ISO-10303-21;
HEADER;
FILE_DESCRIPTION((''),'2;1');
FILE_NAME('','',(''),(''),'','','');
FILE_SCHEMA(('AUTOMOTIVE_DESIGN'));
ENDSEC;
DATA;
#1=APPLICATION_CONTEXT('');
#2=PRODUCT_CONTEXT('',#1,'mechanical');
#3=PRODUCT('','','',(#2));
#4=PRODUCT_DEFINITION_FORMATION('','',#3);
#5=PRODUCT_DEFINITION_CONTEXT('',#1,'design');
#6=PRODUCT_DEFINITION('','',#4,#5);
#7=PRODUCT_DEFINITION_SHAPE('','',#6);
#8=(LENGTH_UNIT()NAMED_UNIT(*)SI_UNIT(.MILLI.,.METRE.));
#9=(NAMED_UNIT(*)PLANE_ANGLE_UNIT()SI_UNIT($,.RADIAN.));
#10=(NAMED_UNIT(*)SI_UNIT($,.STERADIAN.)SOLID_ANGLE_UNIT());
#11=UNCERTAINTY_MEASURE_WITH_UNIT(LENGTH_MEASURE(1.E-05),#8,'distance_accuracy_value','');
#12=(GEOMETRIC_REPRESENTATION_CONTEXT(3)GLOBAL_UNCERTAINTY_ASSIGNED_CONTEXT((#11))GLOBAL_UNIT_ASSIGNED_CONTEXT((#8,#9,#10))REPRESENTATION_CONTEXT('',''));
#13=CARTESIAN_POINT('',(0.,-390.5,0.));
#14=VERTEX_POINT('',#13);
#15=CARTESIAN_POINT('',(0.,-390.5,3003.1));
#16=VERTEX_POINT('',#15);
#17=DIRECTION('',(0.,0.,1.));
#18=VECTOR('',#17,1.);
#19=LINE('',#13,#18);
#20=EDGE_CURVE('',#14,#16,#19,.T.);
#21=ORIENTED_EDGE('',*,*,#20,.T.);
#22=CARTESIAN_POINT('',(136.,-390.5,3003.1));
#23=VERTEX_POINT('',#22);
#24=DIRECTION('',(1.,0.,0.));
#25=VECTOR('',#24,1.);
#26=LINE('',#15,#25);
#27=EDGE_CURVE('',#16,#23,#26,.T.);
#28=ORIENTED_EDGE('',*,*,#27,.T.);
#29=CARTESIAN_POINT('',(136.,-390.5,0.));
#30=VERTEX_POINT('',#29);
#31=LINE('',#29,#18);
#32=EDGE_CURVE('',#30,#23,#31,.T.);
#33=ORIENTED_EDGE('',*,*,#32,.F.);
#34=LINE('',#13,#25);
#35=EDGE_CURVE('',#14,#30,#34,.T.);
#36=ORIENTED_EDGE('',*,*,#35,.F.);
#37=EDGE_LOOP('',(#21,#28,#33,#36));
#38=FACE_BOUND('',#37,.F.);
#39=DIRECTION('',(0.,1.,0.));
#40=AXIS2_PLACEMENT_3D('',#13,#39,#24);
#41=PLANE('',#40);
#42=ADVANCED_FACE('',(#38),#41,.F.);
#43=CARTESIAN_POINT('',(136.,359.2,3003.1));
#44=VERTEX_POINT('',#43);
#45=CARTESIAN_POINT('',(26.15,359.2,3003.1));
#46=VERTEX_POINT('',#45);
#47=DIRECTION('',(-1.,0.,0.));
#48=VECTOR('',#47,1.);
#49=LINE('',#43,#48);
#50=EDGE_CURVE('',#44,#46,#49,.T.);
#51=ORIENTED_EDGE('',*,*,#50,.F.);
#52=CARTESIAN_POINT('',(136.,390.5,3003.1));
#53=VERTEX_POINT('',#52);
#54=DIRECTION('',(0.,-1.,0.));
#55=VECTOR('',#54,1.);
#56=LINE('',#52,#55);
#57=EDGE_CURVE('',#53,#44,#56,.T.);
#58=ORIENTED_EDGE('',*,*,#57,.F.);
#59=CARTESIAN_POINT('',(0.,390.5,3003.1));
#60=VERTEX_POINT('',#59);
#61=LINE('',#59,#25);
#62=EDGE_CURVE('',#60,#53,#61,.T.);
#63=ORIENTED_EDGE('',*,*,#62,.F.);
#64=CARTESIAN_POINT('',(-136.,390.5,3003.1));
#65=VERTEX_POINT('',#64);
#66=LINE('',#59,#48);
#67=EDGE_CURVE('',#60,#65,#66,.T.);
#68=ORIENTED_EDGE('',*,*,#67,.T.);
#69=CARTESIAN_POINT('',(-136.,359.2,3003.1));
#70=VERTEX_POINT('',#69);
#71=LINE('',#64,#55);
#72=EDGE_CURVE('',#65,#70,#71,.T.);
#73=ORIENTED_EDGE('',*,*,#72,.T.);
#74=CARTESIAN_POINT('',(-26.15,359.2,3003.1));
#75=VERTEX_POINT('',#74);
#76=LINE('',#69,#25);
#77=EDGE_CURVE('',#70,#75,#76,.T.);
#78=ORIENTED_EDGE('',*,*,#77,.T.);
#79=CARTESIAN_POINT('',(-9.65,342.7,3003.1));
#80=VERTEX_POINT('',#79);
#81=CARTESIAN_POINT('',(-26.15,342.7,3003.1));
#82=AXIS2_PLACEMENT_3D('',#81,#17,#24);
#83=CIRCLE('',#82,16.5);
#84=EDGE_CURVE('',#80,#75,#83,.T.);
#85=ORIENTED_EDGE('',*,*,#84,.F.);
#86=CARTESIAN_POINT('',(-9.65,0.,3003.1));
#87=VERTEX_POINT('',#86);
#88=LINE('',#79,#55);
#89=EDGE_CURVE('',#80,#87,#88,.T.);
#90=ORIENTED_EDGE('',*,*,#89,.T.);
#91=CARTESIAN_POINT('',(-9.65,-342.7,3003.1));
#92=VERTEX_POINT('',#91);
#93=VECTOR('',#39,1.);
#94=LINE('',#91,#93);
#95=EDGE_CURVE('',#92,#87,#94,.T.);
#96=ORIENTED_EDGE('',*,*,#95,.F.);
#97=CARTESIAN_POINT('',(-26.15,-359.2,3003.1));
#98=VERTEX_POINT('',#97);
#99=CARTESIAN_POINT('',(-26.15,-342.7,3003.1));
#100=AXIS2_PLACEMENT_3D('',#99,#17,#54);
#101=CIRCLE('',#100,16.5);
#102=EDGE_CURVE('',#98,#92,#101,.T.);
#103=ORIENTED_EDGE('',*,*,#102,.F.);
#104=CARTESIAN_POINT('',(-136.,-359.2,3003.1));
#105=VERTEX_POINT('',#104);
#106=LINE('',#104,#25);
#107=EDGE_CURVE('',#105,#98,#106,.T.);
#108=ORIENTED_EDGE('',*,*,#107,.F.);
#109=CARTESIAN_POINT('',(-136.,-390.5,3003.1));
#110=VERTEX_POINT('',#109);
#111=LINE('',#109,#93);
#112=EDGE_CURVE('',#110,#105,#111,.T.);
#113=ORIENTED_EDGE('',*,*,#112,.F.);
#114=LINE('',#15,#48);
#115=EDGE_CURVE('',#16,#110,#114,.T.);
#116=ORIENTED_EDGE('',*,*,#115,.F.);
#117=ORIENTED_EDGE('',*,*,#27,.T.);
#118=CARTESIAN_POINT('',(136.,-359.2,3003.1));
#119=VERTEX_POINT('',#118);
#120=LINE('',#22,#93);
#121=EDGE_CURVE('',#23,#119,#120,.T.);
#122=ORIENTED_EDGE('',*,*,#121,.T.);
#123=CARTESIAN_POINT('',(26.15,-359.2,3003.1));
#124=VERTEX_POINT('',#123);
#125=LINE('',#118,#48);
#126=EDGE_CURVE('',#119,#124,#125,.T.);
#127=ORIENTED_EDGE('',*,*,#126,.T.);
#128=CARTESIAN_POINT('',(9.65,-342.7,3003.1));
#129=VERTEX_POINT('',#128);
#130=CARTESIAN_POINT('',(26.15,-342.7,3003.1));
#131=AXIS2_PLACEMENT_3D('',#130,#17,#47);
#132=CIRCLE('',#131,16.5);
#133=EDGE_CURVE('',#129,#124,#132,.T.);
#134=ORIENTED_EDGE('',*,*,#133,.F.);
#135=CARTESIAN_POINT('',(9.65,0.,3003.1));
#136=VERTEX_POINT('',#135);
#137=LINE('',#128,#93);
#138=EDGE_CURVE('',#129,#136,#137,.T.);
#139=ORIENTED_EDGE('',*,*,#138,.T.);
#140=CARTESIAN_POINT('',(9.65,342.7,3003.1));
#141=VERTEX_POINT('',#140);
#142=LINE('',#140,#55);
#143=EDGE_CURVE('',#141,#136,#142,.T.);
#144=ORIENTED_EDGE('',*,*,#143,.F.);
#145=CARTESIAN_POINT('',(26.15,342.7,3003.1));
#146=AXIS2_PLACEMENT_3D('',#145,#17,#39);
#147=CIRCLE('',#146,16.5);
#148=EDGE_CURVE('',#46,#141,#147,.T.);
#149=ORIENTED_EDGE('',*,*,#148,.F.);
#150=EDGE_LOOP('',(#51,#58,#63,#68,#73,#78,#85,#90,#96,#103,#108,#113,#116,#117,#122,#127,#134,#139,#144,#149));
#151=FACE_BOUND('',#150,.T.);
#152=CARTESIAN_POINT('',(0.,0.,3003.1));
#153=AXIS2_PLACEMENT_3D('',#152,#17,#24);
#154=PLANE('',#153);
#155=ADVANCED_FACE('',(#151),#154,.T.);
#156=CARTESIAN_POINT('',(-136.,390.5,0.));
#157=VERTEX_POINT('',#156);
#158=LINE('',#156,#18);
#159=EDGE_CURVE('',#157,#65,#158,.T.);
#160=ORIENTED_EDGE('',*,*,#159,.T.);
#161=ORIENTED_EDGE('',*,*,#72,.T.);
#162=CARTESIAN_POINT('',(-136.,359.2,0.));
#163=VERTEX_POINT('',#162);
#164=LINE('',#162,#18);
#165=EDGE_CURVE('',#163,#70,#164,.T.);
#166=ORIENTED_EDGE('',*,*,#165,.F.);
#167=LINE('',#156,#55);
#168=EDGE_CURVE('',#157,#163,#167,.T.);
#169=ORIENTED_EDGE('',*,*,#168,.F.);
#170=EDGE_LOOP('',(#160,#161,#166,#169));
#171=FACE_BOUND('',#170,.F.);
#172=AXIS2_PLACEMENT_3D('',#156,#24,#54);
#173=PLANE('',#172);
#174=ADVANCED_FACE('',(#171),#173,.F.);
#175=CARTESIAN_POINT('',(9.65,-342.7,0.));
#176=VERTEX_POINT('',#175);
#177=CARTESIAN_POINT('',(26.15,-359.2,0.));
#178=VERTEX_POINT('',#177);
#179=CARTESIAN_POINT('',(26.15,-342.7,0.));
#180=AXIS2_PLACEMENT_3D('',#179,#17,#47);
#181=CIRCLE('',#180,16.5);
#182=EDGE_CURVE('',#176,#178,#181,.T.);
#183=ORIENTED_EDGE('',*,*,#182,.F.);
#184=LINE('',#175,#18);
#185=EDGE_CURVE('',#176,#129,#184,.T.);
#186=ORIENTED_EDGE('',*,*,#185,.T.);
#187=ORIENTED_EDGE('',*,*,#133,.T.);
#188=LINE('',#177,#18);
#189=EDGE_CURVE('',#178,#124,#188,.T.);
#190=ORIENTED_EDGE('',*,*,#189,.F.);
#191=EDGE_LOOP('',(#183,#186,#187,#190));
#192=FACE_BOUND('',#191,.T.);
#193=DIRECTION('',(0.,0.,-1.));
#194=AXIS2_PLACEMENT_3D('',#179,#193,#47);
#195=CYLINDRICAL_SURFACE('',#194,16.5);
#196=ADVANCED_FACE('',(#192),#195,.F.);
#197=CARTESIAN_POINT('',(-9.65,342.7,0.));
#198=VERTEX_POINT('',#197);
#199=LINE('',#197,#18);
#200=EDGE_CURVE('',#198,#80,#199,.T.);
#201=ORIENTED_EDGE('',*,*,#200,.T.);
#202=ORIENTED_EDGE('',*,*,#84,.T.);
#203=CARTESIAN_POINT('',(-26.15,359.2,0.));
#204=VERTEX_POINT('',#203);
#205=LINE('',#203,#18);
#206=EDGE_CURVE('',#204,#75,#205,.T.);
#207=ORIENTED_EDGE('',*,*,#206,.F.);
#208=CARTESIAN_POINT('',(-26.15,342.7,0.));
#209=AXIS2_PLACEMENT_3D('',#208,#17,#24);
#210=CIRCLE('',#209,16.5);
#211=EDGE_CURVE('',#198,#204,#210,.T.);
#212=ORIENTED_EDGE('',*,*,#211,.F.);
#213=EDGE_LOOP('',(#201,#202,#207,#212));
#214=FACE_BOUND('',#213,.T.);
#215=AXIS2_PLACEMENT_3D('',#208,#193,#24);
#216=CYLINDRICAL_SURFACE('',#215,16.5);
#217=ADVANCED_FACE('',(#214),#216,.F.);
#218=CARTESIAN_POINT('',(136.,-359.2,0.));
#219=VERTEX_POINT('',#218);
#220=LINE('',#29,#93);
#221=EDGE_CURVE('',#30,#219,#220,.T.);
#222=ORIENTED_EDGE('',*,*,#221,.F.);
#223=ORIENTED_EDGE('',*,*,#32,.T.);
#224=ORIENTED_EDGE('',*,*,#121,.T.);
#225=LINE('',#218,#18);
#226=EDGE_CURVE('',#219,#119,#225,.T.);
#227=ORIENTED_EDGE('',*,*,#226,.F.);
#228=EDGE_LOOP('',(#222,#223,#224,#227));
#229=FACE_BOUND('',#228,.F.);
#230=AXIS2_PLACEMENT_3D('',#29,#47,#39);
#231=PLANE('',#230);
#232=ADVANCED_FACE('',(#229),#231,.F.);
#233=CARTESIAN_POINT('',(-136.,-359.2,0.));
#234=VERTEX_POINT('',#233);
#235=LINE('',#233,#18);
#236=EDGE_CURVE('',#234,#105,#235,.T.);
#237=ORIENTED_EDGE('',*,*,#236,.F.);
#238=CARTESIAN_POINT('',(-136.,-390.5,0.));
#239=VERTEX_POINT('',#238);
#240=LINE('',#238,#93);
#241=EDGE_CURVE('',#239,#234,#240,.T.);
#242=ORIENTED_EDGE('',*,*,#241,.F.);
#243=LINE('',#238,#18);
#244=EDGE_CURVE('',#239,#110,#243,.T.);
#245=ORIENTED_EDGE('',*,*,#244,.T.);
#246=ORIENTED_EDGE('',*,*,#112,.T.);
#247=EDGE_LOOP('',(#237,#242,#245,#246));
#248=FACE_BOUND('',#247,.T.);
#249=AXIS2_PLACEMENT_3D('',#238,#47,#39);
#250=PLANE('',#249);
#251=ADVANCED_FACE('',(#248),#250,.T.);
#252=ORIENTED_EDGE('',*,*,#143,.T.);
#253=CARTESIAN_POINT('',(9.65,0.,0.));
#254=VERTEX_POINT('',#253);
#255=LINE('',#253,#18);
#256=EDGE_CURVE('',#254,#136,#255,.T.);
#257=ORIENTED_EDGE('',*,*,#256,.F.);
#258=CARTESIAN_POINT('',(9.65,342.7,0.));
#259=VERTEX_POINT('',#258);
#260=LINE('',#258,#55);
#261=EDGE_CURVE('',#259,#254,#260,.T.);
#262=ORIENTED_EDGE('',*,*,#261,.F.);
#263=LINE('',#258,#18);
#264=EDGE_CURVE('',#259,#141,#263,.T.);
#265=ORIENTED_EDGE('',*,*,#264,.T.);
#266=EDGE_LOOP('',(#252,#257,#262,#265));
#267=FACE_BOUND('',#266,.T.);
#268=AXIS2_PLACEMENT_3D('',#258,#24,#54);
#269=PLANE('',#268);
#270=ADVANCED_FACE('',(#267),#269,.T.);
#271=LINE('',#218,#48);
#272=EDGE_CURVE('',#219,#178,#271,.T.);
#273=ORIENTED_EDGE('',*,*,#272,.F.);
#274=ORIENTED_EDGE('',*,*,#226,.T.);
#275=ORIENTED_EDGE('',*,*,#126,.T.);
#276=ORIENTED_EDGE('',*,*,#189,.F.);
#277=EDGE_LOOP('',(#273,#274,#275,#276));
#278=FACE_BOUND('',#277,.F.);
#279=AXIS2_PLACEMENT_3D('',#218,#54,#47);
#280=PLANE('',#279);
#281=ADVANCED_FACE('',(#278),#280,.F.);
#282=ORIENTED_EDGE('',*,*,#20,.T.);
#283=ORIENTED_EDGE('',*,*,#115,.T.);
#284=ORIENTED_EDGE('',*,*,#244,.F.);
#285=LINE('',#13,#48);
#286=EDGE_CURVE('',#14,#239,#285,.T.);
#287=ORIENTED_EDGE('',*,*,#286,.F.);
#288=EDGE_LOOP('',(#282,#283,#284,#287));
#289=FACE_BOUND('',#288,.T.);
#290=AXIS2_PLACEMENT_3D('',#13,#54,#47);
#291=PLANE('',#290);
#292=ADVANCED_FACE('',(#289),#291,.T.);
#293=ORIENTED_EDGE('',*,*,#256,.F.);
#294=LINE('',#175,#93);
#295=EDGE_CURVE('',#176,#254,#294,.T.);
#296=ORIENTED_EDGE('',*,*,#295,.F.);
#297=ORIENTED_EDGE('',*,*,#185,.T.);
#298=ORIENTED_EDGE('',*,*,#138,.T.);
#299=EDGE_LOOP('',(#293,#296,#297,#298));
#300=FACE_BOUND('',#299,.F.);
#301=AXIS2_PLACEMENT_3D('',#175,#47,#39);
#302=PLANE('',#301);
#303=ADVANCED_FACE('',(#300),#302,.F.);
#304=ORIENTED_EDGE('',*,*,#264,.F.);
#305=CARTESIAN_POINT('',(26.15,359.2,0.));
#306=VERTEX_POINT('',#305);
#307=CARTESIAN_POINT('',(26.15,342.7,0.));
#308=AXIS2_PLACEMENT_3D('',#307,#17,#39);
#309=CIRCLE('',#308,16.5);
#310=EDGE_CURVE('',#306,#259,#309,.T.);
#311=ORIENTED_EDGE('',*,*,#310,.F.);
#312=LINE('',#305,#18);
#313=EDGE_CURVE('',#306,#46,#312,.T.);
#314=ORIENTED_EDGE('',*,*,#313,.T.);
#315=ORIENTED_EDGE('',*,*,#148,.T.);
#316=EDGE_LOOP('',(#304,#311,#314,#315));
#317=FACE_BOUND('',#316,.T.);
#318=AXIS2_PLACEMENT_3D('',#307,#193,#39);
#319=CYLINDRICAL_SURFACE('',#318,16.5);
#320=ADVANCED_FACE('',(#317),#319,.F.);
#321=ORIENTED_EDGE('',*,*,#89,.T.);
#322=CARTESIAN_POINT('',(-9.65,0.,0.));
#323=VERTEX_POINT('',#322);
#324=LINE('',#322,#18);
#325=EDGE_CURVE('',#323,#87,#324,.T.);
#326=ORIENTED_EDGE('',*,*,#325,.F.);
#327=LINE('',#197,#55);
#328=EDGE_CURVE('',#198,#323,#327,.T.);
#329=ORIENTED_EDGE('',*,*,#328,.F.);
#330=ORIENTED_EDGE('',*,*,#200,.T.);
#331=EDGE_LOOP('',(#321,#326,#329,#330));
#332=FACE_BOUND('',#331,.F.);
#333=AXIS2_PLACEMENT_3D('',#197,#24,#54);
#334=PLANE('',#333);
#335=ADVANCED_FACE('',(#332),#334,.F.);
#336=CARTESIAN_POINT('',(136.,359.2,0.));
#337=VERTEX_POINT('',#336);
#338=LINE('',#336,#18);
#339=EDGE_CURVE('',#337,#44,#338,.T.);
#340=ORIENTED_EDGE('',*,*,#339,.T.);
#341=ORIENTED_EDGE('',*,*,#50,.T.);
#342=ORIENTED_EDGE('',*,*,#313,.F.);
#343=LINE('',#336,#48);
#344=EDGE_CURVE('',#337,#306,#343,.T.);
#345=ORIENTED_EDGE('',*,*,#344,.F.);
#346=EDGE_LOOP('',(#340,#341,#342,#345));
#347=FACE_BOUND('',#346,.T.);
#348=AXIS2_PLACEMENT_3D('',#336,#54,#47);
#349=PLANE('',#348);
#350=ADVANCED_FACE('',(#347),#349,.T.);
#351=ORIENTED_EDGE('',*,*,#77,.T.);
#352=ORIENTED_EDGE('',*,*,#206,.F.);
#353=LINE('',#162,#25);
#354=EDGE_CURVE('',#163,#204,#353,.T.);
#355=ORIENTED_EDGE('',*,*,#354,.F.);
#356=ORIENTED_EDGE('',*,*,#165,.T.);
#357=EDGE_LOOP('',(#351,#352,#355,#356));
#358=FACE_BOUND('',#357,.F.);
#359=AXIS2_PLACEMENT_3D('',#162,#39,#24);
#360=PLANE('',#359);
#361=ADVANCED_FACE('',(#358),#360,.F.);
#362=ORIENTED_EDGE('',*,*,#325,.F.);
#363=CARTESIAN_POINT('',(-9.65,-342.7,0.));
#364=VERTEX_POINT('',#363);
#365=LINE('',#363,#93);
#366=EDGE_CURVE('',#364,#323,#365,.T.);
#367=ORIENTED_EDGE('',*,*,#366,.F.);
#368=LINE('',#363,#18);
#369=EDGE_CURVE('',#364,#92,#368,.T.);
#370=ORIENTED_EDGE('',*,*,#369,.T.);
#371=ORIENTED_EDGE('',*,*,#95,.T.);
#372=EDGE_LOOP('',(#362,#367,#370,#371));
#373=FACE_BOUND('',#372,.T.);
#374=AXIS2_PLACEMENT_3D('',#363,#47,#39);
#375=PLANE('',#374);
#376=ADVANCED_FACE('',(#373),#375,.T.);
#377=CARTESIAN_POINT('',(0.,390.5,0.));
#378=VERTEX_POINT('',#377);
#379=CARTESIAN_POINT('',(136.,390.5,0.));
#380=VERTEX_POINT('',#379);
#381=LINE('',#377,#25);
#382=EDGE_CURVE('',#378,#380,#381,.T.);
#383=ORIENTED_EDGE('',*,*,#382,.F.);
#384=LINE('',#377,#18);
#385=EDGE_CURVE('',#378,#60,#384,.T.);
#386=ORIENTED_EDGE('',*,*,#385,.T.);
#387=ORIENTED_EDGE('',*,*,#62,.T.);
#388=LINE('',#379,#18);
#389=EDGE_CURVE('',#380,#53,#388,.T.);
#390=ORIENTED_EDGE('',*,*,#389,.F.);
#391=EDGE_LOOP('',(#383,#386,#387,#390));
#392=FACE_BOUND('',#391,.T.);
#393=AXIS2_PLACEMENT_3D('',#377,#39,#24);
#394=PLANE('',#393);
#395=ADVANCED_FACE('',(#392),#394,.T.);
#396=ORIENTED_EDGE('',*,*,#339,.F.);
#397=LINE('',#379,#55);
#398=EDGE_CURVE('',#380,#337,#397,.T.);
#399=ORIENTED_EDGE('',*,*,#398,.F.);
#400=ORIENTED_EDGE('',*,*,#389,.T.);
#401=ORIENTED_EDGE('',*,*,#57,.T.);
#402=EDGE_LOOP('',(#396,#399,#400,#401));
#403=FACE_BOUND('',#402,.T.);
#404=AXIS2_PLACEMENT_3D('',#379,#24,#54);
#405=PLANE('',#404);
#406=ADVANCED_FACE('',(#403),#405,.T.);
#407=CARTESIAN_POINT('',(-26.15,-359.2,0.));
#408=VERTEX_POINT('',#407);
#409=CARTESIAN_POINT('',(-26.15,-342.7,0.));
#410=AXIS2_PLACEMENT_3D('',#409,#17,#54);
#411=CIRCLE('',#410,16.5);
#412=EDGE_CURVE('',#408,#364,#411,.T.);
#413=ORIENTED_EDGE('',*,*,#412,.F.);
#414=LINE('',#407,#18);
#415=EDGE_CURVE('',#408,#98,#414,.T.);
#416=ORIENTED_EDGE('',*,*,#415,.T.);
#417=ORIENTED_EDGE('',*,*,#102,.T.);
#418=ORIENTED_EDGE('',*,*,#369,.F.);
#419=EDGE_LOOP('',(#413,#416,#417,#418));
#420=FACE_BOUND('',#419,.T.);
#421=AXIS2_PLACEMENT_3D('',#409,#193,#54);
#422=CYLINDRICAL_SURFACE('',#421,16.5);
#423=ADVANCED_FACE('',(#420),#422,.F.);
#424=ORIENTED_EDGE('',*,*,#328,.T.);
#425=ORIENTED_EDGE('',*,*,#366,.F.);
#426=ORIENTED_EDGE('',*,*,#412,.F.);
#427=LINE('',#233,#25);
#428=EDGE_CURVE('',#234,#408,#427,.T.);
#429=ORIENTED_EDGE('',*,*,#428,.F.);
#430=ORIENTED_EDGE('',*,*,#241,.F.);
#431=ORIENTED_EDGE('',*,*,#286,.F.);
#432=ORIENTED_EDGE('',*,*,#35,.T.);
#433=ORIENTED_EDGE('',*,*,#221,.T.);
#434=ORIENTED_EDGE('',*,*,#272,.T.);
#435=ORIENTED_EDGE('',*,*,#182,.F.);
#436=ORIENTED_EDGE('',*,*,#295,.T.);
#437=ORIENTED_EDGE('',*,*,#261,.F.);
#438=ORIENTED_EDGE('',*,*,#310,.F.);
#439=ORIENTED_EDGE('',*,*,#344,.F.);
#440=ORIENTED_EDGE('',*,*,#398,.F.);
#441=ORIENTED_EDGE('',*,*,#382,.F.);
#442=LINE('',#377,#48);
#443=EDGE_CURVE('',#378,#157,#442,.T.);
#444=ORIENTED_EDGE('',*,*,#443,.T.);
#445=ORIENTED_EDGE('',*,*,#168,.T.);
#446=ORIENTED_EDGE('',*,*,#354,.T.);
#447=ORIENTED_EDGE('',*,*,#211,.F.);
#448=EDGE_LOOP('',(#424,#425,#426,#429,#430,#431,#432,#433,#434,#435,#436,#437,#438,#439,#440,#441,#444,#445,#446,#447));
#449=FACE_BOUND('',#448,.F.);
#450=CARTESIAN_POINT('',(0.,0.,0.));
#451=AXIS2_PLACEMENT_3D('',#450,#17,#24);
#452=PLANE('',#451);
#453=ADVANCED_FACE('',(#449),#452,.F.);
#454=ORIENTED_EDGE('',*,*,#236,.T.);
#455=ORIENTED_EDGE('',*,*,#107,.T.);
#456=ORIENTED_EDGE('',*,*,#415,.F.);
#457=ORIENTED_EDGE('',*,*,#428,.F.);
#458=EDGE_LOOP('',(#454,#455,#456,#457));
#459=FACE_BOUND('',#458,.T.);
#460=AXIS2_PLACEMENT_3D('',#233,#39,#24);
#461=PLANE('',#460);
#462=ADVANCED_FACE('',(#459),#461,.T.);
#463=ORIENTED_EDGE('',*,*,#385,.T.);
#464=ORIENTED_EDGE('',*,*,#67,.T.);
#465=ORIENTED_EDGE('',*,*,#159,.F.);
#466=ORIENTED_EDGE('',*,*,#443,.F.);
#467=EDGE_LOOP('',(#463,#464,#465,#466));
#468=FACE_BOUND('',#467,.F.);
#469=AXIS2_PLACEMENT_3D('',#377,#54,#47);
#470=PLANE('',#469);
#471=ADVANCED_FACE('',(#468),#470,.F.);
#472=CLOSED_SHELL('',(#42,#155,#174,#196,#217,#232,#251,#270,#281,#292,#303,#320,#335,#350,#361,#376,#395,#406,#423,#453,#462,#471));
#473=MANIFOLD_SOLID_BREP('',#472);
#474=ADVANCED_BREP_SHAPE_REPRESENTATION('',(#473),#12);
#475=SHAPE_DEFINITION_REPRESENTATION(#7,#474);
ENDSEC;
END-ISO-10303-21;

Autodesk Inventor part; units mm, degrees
ref_plane "YZ Plane" through (0, 0, 0) normal (1, 0, 0) x (0, 1, 0)
ref_plane "Start plane" through (0, 0, 0) normal (0, 0, 1) x (1, 0, 0)
ref_plane "End plane" through (0, 0, 3003.1) normal (0, 0, 1) x (1, 0, 0)
sketch "Sketch" plane through (0, 0, 0) normal (0, 0, 1) x (1, 0, 0)
  line L0 (-136, -390.5) -> (-136, -359.2)
  line L1 (-136, -359.2) -> (-26.15, -359.2)
  line L2 (-9.65, -342.7) -> (-9.65, 0)
  line L3 (-9.65, 0) -> (0, 0) construction
  line L4 (0, 0) -> (0, -390.5) construction
  line L5 (0, -390.5) -> (-136, -390.5)
  line L6 (-60, 0) -> (80, 0) construction
  line L7 (0, -60) -> (0, 80) construction
  line L8 (136, -390.5) -> (136, -359.2)
  line L9 (136, -359.2) -> (26.15, -359.2)
  line L10 (9.65, -342.7) -> (9.65, 0)
  line L11 (9.65, 0) -> (0, 0) construction
  line L12 (0, -390.5) -> (136, -390.5)
  line L13 (-136, 390.5) -> (-136, 359.2)
  line L14 (-136, 359.2) -> (-26.15, 359.2)
  line L15 (-9.65, 342.7) -> (-9.65, 0)
  line L16 (0, 390.5) -> (-136, 390.5)
  line L17 (136, 390.5) -> (136, 359.2)
  line L18 (136, 359.2) -> (26.15, 359.2)
  line L19 (0, 390.5) -> (136, 390.5)
  line L20 (9.65, 342.7) -> (9.65, 0)
  arc A0 (-9.65, 342.7) -> (-26.15, 359.2) centre (-26.15, 342.7) ccw
  arc A1 (26.15, 359.2) -> (9.65, 342.7) centre (26.15, 342.7) ccw
  arc A2 (9.65, -342.7) -> (26.15, -359.2) centre (26.15, -342.7) ccw
  arc A3 (-26.15, -359.2) -> (-9.65, -342.7) centre (-26.15, -342.7) ccw
  line L21 (0, 108) -> (0, -88) construction
  line L22 (-88, 0) -> (108, 0) construction
  point P0 (-9.65, -359.2)
  point P1 (9.65, -359.2)
  point P2 (-9.65, 359.2)
  point P3 (9.65, 359.2)
  dimension "d1" = 390.5
  dimension "d2" = 31.3
  dimension "d3" = 136
  dimension "d4" = 9.65
  dimension "d10" = 16.5
extrude "Body" add sketch "Sketch" along normal up to surface (3003.1 mm away) from surface at 0
sketch "Sketch4" plane through (0, 0, 0) normal (0, 0, 1) x (1, 0, 0)
  line L0 (0, 0) -> (10, 0)
ref_plane "Work Plane3" through (0, 0, 0) normal (0, -1, 0) x (1, 0, 0)
sketch "Sketch5" plane through (0, 0, 0) normal (0, -1, 0) x (1, 0, 0)
  line L0 (-2, 0) -> (12, 0) projected
  line L1 (-2, 3003.1) -> (12, 3003.1) projected
  dimension "d14" = 3003.1
equation "\"d1\" = 0.5 * G_H"
equation "\"d2\" = G_T1"
equation "\"d3\" = 0.5 * G_W"
equation "\"d4\" = 0.5 * G_T"
equation "\"d10\" = G_IR"
equation "\"d5\" = G_L"
equation "\"G_W\" = 272"
equation "\"G_H\" = 781"
equation "\"G_T\" = 19.3"
equation "\"G_T1\" = 31.3"
equation "\"G_IR\" = 16.5"
equation "\"G_L\" = d14"
equation "\"G_OFFSET_START\" = 0"
equation "\"G_OFFSET_END\" = 0"
equation "\"d12\" = G_OFFSET_END + B_L"
equation "\"B_L\" = 3003.1"
properties part number "AS 3679-1990 - 760 UB - 244 - 3003.1" material "Steel, Mild"
